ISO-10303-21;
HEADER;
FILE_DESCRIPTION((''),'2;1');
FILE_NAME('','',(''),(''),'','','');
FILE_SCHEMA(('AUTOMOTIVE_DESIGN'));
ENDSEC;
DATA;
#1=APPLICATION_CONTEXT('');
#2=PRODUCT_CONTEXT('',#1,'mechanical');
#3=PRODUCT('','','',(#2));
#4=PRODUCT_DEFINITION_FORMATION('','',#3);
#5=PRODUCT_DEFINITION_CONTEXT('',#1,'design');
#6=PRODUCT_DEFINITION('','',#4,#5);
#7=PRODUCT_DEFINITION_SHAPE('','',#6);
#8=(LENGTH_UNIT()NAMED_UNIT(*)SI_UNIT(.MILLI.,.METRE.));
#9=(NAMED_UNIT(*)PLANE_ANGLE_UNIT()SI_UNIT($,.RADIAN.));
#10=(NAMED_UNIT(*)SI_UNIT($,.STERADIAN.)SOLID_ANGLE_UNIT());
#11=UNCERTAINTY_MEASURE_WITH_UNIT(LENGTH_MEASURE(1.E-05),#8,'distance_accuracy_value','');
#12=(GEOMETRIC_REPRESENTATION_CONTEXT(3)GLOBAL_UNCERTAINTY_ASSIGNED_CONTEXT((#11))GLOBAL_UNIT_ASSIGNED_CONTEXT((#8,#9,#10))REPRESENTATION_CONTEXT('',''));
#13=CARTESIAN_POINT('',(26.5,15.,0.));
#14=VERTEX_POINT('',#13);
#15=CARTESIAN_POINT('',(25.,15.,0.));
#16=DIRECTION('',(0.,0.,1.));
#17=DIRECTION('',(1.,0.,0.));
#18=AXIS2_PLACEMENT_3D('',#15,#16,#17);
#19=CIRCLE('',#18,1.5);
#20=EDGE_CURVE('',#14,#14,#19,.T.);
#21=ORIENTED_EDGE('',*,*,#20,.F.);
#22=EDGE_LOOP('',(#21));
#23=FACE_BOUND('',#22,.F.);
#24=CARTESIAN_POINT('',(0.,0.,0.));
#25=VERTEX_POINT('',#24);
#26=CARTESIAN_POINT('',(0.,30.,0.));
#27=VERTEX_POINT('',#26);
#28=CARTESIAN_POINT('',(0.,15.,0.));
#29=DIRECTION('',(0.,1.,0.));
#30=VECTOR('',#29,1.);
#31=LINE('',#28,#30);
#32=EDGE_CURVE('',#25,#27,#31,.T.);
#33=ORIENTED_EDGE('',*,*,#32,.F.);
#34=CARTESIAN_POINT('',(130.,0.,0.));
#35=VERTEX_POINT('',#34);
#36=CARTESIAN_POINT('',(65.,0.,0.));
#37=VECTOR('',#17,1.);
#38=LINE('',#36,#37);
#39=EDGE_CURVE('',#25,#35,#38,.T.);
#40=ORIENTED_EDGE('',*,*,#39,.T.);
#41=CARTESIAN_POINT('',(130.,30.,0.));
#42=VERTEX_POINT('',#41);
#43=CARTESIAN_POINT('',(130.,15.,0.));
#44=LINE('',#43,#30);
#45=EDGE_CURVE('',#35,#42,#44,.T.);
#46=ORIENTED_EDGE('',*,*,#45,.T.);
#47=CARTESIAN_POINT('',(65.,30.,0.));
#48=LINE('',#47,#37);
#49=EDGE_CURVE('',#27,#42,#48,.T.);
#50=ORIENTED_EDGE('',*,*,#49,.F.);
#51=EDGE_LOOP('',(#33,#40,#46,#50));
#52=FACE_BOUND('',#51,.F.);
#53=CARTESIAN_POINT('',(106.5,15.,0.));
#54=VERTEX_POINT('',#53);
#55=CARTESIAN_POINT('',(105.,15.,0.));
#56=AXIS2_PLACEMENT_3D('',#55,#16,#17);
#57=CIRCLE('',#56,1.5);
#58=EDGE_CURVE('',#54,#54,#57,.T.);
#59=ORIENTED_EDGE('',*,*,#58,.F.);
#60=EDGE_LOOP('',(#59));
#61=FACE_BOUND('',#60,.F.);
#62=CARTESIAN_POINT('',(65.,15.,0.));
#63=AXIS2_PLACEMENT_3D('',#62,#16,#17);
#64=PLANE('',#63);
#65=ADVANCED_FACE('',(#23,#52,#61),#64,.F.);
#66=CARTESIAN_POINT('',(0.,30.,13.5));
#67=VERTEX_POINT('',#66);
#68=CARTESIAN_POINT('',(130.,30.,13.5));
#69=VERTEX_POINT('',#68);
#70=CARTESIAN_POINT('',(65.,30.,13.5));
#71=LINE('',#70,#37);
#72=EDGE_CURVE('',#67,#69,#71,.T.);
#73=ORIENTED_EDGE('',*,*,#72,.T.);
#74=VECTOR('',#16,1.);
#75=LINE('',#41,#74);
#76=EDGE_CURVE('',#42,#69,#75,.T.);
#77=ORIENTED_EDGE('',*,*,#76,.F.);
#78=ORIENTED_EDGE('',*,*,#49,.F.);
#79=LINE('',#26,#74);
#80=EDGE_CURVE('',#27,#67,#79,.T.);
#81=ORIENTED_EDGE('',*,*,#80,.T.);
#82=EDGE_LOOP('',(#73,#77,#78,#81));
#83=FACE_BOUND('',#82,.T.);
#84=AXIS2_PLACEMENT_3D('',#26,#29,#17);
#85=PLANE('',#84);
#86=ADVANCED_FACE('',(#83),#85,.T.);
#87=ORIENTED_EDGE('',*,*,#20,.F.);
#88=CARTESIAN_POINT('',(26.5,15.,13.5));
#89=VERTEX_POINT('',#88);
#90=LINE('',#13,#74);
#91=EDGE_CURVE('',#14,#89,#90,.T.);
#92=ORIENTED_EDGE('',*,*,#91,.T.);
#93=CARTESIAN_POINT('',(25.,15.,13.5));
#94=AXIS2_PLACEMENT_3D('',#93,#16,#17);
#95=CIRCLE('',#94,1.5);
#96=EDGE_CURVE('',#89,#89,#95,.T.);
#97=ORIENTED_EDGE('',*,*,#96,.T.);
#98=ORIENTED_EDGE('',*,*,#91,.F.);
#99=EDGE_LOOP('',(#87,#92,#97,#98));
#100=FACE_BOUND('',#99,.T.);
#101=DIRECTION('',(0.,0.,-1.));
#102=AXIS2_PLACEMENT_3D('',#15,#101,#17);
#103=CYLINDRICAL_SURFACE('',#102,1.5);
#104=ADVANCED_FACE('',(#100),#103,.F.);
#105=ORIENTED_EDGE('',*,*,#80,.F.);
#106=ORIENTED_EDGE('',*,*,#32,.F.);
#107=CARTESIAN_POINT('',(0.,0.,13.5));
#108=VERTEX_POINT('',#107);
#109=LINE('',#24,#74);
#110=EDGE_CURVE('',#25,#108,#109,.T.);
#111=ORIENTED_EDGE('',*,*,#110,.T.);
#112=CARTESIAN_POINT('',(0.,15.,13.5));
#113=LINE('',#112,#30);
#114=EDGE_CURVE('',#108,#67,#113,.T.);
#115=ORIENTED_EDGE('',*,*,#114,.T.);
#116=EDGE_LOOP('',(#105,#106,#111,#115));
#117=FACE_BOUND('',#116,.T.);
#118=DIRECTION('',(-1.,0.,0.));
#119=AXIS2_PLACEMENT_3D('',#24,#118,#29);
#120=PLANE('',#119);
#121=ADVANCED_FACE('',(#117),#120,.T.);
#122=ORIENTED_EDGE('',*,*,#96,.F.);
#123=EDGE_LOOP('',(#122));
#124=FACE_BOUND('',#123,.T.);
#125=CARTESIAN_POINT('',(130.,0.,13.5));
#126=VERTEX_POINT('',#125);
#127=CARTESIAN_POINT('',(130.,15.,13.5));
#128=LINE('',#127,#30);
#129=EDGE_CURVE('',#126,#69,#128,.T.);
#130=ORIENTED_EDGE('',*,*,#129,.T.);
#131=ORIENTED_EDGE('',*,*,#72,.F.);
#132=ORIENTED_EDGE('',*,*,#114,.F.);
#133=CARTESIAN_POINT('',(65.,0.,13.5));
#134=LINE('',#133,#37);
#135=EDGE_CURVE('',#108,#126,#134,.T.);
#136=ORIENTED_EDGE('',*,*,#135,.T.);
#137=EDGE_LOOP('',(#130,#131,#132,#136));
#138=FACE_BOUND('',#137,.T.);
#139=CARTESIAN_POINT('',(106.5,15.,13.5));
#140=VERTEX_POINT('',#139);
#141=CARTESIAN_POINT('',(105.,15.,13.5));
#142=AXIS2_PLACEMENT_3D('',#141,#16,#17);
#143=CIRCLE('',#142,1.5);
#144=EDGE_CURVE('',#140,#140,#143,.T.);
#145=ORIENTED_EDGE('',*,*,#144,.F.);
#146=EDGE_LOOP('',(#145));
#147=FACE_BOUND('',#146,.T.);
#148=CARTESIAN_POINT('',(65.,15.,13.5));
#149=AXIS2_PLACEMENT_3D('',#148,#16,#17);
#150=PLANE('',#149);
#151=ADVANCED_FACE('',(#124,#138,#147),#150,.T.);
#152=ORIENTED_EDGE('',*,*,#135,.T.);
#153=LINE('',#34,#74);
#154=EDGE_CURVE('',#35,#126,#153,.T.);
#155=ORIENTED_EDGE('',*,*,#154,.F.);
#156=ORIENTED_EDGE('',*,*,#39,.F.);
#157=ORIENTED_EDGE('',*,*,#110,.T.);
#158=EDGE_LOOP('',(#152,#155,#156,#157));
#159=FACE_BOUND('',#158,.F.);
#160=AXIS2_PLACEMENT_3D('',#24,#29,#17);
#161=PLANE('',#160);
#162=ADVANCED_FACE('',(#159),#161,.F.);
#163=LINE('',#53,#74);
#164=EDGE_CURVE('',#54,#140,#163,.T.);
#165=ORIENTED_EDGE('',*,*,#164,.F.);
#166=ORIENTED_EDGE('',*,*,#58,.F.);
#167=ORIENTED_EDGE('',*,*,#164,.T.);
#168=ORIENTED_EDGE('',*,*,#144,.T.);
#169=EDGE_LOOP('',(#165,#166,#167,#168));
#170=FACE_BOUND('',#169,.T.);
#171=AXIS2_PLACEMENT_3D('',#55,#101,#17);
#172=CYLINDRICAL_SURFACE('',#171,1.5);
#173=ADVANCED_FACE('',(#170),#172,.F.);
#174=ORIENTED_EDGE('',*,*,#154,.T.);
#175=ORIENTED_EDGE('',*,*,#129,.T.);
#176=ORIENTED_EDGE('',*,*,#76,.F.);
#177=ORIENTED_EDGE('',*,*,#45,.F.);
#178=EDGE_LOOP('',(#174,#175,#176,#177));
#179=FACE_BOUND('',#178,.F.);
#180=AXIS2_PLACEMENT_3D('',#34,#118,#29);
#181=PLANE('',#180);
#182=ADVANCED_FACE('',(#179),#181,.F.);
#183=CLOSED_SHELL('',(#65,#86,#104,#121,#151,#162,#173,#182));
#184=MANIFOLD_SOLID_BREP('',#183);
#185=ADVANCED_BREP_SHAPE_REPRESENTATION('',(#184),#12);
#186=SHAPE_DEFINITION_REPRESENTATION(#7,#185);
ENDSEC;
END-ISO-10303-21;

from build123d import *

# Parameters (mm, degrees)
SKETCH_W  = 130
SKETCH_H  = 30
SKETCH_R  = 1.5
PAD_DEPTH = 13.5


with BuildPart() as part:
    # Sketch → Pad (new body)
    with BuildSketch(Plane.XY):
        with Locations((65, 15)):
            Rectangle(SKETCH_W, SKETCH_H)
        with Locations((25, 15)):
            Circle(SKETCH_R, mode=Mode.SUBTRACT)
        with Locations((105, 15)):
            Circle(SKETCH_R, mode=Mode.SUBTRACT)
    extrude(amount=PAD_DEPTH)


solid = part.part
